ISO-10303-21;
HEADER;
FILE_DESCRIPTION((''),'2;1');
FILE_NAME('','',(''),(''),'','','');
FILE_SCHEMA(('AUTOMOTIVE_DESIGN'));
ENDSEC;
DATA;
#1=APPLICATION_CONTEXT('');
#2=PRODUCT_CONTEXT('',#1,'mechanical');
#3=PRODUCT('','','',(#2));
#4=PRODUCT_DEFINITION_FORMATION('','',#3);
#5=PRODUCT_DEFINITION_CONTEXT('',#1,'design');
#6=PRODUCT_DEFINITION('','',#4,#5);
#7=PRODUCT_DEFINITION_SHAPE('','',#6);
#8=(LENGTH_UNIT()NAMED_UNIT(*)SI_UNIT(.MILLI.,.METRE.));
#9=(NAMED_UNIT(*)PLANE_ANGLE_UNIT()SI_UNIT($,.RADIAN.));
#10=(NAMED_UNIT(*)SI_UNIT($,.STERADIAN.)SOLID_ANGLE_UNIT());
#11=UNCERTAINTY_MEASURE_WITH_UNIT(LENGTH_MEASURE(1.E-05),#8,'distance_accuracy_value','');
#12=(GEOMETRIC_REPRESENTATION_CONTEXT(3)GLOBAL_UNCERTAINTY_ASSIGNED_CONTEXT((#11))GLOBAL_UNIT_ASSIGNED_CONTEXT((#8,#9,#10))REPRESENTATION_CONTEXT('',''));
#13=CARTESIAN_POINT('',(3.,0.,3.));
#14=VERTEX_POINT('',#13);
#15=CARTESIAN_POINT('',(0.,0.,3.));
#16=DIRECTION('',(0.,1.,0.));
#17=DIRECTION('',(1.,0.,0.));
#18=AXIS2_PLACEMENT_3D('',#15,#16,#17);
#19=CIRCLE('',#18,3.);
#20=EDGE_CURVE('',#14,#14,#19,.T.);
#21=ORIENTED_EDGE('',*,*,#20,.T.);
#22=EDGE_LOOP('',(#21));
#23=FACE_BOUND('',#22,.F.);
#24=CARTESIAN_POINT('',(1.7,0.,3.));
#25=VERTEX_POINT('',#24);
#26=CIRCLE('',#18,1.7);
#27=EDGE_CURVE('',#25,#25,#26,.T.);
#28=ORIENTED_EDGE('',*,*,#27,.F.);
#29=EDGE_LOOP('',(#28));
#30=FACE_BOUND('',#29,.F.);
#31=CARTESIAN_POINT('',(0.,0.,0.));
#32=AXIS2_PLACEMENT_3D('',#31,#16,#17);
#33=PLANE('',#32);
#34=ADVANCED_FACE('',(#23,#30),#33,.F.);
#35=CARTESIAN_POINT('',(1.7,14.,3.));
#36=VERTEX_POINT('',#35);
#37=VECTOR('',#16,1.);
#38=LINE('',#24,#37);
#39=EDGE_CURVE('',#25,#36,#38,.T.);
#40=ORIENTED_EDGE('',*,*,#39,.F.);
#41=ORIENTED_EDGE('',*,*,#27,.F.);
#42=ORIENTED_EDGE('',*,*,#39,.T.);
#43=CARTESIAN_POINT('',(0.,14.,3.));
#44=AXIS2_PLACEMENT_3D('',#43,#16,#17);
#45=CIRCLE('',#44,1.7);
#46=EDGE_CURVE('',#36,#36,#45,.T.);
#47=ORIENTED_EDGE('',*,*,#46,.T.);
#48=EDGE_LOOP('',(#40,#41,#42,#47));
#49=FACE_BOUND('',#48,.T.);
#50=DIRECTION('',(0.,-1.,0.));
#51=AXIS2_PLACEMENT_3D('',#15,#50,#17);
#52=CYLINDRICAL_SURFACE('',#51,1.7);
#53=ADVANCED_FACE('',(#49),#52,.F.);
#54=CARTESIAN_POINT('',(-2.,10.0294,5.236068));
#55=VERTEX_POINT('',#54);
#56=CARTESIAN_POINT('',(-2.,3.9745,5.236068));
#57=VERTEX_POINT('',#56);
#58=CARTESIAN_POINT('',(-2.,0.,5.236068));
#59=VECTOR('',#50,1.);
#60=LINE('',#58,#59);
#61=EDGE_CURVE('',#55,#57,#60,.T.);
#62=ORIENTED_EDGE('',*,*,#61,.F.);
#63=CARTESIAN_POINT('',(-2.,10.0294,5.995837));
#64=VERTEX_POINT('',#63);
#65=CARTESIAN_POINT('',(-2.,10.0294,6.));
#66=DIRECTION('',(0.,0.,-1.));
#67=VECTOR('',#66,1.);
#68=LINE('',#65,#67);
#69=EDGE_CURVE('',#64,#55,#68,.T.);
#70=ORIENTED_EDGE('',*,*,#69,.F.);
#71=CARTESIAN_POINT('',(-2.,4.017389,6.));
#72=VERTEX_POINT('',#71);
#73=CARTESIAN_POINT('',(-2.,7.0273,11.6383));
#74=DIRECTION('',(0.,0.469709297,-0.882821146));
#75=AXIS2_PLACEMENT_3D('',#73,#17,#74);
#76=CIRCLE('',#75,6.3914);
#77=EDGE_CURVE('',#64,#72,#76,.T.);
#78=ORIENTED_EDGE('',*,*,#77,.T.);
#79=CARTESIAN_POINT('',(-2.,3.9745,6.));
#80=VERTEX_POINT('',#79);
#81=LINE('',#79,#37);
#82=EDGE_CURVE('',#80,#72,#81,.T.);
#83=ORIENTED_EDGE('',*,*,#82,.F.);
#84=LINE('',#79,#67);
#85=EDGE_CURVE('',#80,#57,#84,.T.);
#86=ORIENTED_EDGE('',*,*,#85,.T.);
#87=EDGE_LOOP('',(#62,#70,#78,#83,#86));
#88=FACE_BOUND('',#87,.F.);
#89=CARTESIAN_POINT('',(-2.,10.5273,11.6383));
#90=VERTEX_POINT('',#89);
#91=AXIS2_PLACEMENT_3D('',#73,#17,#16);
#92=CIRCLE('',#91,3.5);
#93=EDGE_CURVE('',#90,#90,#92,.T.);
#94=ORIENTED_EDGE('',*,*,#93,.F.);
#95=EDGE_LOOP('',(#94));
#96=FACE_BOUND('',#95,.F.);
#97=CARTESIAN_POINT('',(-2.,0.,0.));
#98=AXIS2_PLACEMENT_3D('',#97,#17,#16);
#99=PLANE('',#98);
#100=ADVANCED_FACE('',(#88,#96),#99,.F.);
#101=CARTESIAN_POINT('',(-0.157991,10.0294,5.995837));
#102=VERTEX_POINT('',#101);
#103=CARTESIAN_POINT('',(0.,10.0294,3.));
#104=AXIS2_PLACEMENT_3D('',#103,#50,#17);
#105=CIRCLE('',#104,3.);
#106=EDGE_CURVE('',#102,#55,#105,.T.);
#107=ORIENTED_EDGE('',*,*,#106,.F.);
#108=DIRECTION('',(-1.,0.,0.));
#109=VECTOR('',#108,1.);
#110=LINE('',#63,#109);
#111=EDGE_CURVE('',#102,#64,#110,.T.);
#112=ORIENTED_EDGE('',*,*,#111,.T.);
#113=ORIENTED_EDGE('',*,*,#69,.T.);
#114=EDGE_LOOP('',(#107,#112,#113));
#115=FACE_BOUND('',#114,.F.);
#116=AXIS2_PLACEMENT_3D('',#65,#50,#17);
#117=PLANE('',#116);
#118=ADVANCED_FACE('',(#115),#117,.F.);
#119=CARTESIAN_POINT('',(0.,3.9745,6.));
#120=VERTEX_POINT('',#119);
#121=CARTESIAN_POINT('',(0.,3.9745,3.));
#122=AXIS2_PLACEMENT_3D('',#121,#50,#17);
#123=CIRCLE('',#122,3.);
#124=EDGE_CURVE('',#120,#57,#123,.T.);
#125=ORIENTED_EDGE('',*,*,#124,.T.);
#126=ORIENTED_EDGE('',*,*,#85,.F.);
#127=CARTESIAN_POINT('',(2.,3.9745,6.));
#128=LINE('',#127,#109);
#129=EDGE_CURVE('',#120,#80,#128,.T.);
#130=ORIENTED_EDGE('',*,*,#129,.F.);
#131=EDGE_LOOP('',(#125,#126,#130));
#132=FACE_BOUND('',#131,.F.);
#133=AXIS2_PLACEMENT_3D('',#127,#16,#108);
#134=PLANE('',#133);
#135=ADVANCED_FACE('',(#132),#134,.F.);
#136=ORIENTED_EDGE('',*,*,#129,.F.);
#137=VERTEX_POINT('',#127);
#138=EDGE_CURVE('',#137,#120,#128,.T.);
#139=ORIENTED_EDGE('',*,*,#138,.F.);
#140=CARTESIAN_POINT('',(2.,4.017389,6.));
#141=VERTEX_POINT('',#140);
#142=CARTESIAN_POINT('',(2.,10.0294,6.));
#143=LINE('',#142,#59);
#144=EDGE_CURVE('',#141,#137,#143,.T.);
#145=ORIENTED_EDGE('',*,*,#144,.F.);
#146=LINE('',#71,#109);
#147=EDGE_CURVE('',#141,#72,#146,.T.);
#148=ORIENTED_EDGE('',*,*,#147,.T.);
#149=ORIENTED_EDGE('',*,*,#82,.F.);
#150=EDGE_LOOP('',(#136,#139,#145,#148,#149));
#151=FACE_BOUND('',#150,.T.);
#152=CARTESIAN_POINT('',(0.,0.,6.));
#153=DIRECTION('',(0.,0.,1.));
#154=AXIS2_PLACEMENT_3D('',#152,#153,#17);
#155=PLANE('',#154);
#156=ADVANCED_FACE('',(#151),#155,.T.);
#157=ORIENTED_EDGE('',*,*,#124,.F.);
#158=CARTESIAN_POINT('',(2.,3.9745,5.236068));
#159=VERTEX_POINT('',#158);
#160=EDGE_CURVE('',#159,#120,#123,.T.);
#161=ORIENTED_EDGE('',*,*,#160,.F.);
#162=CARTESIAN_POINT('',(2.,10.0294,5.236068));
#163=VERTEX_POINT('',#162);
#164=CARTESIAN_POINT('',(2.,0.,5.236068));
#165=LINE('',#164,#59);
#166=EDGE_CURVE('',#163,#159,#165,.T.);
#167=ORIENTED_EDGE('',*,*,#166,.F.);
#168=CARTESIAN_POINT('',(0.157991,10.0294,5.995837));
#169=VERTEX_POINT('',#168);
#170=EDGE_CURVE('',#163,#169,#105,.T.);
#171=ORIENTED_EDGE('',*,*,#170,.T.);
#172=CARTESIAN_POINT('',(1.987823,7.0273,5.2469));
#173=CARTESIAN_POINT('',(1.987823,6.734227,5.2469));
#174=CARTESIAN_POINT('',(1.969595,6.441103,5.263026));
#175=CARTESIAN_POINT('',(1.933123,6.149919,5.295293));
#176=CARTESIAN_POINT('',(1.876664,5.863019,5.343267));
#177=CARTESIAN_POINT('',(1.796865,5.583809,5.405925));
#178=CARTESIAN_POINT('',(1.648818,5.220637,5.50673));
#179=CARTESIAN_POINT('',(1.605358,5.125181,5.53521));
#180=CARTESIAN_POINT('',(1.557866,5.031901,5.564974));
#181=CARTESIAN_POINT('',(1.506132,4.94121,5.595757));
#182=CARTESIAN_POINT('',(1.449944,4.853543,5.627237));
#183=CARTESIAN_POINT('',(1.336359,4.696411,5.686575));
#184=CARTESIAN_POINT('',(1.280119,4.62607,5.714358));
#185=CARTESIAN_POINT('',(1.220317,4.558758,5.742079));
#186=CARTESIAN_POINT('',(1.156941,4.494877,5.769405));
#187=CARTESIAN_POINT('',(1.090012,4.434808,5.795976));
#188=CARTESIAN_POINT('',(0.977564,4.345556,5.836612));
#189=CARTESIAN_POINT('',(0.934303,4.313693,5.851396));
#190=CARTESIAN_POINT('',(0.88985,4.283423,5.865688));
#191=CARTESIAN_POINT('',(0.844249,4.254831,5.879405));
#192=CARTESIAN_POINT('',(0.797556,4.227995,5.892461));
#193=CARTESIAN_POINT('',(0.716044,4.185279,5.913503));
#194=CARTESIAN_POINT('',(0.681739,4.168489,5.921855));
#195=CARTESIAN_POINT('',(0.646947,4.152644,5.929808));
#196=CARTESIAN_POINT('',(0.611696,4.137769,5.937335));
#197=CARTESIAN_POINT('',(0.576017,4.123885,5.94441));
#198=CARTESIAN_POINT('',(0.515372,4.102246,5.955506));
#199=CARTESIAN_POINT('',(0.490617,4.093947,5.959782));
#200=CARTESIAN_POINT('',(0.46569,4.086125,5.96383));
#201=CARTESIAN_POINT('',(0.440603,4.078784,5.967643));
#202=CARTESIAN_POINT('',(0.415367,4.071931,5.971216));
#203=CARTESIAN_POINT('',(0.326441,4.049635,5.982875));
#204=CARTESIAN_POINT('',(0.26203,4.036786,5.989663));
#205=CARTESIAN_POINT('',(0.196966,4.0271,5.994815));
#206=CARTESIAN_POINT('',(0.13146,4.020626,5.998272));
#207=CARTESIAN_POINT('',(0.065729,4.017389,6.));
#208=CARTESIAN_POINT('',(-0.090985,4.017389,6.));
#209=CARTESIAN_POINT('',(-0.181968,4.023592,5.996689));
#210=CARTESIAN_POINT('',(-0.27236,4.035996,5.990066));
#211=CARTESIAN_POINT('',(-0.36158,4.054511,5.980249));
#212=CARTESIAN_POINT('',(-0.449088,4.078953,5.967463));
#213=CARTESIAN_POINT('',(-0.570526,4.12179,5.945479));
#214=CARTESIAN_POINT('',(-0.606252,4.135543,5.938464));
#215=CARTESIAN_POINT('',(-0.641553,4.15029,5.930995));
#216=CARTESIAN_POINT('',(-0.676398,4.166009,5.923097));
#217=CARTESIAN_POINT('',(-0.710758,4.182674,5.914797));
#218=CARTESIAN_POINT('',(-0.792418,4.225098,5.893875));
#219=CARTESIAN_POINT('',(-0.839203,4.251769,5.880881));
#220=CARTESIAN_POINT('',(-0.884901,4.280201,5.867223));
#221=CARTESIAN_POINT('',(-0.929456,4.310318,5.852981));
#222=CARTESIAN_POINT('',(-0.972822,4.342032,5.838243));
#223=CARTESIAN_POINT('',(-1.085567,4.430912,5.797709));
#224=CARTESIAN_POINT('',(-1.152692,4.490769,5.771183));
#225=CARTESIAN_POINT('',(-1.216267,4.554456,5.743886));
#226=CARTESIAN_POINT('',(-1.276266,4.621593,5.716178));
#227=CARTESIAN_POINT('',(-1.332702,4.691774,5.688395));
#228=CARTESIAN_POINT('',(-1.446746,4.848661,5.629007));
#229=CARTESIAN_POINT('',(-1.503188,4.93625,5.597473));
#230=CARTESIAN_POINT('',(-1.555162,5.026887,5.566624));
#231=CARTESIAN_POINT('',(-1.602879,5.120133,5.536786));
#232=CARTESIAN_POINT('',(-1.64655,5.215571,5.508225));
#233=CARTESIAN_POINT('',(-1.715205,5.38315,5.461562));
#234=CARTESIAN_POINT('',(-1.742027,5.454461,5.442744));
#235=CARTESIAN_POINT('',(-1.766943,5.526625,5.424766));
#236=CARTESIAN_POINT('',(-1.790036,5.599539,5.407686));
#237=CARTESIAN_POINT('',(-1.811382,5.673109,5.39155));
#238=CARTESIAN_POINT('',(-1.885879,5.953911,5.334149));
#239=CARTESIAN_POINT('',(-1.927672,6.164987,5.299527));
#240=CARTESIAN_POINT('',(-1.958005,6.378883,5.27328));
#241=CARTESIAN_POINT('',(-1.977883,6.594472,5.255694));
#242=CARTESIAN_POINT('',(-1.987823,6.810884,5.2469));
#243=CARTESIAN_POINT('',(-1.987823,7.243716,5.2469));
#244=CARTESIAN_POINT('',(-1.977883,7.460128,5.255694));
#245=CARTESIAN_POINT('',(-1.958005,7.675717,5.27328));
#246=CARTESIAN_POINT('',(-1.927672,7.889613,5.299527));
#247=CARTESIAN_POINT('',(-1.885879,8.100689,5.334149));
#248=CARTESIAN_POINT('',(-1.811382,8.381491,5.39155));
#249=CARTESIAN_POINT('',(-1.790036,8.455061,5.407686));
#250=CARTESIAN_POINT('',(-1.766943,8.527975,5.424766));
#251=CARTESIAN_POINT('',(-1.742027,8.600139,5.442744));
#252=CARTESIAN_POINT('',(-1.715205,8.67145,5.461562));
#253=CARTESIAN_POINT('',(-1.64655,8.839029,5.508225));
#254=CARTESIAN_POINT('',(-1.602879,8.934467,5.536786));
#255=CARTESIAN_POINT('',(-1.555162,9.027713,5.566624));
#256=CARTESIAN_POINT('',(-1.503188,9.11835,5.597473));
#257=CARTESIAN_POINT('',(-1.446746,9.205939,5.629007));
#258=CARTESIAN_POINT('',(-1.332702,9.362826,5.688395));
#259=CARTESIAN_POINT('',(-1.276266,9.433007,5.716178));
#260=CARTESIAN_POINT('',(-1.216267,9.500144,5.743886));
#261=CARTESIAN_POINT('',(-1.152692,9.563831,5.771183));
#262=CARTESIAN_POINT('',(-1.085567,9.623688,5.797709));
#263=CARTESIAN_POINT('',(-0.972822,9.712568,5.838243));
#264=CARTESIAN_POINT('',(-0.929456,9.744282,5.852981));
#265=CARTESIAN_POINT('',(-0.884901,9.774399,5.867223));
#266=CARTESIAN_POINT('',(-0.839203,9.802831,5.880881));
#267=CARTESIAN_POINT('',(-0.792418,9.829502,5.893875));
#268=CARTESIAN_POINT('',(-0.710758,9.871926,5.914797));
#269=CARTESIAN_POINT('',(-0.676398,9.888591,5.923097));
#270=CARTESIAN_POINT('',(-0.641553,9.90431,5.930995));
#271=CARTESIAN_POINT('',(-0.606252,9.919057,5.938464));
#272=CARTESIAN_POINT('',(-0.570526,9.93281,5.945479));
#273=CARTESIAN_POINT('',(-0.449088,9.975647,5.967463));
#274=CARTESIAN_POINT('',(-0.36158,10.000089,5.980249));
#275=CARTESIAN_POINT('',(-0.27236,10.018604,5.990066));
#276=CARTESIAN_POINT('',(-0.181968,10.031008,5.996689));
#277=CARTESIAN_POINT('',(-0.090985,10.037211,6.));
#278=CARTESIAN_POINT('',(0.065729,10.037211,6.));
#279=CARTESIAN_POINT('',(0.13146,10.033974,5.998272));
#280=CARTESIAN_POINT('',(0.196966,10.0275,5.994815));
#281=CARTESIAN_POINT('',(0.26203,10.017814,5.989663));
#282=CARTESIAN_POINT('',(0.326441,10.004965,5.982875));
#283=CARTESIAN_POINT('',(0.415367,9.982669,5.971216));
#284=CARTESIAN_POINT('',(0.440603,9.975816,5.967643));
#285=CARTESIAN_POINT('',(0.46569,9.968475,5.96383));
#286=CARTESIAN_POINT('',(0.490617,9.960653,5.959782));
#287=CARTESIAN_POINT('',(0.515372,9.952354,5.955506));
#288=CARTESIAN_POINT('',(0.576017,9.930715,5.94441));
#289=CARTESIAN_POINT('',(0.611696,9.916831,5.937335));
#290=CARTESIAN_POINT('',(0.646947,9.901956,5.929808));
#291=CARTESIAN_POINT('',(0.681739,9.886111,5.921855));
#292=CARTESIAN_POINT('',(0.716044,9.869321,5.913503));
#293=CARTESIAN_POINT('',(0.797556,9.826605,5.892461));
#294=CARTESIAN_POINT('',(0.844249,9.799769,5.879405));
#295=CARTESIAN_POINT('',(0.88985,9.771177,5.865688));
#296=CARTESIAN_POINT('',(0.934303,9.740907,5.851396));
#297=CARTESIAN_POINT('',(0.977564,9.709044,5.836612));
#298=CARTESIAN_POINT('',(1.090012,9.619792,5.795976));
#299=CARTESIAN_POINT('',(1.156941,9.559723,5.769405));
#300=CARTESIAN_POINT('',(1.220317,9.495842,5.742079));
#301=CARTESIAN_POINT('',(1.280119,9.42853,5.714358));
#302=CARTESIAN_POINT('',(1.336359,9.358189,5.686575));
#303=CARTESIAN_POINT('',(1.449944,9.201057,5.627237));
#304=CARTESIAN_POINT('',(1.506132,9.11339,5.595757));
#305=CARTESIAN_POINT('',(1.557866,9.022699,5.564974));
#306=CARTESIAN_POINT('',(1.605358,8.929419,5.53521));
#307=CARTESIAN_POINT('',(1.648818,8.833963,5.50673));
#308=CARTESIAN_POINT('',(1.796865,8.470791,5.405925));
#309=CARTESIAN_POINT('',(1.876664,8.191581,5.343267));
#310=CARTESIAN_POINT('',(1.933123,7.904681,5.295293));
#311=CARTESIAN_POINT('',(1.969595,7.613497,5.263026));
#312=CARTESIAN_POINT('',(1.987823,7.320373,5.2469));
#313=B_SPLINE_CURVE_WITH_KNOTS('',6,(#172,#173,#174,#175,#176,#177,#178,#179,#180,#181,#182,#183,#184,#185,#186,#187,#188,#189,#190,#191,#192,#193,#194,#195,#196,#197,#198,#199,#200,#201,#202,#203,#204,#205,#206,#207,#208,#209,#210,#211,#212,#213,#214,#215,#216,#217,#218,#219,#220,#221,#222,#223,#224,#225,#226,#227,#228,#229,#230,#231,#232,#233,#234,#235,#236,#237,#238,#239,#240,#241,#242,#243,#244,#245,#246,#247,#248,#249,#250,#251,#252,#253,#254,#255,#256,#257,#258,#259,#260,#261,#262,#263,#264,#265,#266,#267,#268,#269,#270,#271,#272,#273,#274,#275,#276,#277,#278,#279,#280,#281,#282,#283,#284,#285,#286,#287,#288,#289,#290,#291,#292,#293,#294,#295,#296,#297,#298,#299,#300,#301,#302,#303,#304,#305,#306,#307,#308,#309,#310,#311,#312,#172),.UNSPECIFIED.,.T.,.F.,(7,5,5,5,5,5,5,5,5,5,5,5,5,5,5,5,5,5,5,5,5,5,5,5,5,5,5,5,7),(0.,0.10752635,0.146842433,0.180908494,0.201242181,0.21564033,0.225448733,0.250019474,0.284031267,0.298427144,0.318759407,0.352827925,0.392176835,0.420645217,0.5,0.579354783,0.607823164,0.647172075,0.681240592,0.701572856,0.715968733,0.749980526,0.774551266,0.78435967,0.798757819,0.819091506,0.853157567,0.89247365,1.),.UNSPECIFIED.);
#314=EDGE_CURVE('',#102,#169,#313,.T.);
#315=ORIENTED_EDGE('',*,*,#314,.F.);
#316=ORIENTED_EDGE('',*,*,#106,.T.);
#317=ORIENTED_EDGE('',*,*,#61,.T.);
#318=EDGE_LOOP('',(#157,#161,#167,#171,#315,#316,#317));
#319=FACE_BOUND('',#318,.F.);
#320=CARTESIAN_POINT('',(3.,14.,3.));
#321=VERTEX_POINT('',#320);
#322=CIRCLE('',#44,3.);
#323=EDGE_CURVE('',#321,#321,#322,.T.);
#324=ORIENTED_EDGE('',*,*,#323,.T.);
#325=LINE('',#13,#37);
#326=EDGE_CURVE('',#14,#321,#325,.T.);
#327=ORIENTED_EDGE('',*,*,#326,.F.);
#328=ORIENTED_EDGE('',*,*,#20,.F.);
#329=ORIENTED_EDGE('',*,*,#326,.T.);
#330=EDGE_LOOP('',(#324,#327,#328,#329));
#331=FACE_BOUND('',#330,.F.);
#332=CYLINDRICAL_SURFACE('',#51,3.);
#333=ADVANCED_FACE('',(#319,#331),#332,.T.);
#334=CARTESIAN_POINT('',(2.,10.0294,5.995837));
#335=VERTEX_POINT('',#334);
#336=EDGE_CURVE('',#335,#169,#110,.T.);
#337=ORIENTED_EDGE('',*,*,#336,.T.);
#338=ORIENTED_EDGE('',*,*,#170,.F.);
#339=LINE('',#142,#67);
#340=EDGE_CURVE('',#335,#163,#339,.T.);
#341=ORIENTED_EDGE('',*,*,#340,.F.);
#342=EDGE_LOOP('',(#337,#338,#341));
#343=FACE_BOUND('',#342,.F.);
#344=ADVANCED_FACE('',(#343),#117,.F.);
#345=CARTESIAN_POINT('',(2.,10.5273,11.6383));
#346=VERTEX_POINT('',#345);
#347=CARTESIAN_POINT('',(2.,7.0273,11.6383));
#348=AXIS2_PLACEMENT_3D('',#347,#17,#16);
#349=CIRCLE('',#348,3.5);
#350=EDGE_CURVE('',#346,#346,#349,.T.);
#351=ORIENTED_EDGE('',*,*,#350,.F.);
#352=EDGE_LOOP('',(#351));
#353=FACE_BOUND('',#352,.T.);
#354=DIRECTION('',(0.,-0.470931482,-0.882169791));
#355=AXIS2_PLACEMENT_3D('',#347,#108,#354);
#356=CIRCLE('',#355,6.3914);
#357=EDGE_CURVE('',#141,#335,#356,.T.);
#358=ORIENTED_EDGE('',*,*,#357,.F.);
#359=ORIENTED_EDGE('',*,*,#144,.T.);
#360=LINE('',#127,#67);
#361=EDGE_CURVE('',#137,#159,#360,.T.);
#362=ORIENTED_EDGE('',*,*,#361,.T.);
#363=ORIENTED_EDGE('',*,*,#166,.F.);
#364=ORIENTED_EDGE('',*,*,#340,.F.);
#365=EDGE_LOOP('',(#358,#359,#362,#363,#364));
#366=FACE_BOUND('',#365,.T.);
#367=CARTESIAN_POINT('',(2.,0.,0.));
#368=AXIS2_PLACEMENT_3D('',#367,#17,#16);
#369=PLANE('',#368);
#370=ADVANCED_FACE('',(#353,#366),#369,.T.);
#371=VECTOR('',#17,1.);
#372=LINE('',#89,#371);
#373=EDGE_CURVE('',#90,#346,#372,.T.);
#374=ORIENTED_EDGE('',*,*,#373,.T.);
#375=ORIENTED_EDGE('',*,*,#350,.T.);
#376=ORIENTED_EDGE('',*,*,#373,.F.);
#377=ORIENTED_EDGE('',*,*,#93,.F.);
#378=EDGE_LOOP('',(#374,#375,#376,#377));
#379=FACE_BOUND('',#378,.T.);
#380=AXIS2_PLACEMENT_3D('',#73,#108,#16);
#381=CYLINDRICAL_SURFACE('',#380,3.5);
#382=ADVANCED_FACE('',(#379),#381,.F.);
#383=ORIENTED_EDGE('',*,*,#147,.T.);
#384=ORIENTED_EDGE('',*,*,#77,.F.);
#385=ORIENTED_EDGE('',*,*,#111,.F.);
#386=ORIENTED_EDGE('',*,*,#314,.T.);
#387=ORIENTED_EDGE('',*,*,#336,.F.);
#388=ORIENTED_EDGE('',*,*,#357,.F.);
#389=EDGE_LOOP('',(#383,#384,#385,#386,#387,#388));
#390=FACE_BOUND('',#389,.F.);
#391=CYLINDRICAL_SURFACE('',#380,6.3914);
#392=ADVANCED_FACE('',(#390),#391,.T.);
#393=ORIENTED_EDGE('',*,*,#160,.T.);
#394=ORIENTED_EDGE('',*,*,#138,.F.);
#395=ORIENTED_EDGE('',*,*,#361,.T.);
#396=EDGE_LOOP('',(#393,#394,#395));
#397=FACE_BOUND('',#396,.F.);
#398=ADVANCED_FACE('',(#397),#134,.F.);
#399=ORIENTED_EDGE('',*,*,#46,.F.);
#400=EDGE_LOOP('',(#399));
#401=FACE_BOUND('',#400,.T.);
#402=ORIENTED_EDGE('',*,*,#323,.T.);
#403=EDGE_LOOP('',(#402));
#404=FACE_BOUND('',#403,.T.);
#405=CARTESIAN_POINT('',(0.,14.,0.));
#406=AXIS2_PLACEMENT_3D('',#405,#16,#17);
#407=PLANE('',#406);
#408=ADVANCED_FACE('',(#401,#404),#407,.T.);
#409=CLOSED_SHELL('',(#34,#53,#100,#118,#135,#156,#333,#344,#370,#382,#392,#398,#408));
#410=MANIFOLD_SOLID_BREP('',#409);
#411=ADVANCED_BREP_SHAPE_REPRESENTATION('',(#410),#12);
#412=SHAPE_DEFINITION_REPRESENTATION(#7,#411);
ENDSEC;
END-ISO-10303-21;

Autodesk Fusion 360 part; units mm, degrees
sketch "Sketch1" plane through (0, 0, 0) normal (0, 1, 0) x (1, 0, 0)
  circle A0 centre (0, -3) radius 3
  circle A1 centre (0, -3) radius 1.7
  dimension "d1" = 3.4
extrude "Extrude1" add sketch "Sketch1" along normal blind 14
sketch "Sketch2" plane through (0, 0, 0) normal (0, 0, 1) x (1, 0, 0)
ref_plane "WorkPlane1" through (0, 0, 6) normal (0, 0, 1) x (1, 0, 0)
sketch "Sketch3" plane through (0, 0, 6) normal (0, 0, 1) x (1, 0, 0)
  line L0 (-2, 10.0294) -> (2, 10.0294)
  line L1 (2, 10.0294) -> (2, 3.9745)
  line L2 (2, 3.9745) -> (-2, 3.9745)
  line L3 (-2, 3.9745) -> (-2, 10.0294)
extrude "Extrude2" add sketch "Sketch3" against normal blind 1
ref_plane "WorkPlane2" through (-2, 0, 0) normal (1, 0, 0) x (0, 1, 0)
sketch "Sketch4" plane through (-2, 0, 0) normal (1, 0, 0) x (0, 1, 0)
  circle A0 centre (7.0273, 11.6383) radius 6.3914
  circle A1 centre (7.0273, 11.6383) radius 3.5
  dimension "d8" = 7
extrude "Extrude3" add sketch "Sketch4" along normal blind 4
